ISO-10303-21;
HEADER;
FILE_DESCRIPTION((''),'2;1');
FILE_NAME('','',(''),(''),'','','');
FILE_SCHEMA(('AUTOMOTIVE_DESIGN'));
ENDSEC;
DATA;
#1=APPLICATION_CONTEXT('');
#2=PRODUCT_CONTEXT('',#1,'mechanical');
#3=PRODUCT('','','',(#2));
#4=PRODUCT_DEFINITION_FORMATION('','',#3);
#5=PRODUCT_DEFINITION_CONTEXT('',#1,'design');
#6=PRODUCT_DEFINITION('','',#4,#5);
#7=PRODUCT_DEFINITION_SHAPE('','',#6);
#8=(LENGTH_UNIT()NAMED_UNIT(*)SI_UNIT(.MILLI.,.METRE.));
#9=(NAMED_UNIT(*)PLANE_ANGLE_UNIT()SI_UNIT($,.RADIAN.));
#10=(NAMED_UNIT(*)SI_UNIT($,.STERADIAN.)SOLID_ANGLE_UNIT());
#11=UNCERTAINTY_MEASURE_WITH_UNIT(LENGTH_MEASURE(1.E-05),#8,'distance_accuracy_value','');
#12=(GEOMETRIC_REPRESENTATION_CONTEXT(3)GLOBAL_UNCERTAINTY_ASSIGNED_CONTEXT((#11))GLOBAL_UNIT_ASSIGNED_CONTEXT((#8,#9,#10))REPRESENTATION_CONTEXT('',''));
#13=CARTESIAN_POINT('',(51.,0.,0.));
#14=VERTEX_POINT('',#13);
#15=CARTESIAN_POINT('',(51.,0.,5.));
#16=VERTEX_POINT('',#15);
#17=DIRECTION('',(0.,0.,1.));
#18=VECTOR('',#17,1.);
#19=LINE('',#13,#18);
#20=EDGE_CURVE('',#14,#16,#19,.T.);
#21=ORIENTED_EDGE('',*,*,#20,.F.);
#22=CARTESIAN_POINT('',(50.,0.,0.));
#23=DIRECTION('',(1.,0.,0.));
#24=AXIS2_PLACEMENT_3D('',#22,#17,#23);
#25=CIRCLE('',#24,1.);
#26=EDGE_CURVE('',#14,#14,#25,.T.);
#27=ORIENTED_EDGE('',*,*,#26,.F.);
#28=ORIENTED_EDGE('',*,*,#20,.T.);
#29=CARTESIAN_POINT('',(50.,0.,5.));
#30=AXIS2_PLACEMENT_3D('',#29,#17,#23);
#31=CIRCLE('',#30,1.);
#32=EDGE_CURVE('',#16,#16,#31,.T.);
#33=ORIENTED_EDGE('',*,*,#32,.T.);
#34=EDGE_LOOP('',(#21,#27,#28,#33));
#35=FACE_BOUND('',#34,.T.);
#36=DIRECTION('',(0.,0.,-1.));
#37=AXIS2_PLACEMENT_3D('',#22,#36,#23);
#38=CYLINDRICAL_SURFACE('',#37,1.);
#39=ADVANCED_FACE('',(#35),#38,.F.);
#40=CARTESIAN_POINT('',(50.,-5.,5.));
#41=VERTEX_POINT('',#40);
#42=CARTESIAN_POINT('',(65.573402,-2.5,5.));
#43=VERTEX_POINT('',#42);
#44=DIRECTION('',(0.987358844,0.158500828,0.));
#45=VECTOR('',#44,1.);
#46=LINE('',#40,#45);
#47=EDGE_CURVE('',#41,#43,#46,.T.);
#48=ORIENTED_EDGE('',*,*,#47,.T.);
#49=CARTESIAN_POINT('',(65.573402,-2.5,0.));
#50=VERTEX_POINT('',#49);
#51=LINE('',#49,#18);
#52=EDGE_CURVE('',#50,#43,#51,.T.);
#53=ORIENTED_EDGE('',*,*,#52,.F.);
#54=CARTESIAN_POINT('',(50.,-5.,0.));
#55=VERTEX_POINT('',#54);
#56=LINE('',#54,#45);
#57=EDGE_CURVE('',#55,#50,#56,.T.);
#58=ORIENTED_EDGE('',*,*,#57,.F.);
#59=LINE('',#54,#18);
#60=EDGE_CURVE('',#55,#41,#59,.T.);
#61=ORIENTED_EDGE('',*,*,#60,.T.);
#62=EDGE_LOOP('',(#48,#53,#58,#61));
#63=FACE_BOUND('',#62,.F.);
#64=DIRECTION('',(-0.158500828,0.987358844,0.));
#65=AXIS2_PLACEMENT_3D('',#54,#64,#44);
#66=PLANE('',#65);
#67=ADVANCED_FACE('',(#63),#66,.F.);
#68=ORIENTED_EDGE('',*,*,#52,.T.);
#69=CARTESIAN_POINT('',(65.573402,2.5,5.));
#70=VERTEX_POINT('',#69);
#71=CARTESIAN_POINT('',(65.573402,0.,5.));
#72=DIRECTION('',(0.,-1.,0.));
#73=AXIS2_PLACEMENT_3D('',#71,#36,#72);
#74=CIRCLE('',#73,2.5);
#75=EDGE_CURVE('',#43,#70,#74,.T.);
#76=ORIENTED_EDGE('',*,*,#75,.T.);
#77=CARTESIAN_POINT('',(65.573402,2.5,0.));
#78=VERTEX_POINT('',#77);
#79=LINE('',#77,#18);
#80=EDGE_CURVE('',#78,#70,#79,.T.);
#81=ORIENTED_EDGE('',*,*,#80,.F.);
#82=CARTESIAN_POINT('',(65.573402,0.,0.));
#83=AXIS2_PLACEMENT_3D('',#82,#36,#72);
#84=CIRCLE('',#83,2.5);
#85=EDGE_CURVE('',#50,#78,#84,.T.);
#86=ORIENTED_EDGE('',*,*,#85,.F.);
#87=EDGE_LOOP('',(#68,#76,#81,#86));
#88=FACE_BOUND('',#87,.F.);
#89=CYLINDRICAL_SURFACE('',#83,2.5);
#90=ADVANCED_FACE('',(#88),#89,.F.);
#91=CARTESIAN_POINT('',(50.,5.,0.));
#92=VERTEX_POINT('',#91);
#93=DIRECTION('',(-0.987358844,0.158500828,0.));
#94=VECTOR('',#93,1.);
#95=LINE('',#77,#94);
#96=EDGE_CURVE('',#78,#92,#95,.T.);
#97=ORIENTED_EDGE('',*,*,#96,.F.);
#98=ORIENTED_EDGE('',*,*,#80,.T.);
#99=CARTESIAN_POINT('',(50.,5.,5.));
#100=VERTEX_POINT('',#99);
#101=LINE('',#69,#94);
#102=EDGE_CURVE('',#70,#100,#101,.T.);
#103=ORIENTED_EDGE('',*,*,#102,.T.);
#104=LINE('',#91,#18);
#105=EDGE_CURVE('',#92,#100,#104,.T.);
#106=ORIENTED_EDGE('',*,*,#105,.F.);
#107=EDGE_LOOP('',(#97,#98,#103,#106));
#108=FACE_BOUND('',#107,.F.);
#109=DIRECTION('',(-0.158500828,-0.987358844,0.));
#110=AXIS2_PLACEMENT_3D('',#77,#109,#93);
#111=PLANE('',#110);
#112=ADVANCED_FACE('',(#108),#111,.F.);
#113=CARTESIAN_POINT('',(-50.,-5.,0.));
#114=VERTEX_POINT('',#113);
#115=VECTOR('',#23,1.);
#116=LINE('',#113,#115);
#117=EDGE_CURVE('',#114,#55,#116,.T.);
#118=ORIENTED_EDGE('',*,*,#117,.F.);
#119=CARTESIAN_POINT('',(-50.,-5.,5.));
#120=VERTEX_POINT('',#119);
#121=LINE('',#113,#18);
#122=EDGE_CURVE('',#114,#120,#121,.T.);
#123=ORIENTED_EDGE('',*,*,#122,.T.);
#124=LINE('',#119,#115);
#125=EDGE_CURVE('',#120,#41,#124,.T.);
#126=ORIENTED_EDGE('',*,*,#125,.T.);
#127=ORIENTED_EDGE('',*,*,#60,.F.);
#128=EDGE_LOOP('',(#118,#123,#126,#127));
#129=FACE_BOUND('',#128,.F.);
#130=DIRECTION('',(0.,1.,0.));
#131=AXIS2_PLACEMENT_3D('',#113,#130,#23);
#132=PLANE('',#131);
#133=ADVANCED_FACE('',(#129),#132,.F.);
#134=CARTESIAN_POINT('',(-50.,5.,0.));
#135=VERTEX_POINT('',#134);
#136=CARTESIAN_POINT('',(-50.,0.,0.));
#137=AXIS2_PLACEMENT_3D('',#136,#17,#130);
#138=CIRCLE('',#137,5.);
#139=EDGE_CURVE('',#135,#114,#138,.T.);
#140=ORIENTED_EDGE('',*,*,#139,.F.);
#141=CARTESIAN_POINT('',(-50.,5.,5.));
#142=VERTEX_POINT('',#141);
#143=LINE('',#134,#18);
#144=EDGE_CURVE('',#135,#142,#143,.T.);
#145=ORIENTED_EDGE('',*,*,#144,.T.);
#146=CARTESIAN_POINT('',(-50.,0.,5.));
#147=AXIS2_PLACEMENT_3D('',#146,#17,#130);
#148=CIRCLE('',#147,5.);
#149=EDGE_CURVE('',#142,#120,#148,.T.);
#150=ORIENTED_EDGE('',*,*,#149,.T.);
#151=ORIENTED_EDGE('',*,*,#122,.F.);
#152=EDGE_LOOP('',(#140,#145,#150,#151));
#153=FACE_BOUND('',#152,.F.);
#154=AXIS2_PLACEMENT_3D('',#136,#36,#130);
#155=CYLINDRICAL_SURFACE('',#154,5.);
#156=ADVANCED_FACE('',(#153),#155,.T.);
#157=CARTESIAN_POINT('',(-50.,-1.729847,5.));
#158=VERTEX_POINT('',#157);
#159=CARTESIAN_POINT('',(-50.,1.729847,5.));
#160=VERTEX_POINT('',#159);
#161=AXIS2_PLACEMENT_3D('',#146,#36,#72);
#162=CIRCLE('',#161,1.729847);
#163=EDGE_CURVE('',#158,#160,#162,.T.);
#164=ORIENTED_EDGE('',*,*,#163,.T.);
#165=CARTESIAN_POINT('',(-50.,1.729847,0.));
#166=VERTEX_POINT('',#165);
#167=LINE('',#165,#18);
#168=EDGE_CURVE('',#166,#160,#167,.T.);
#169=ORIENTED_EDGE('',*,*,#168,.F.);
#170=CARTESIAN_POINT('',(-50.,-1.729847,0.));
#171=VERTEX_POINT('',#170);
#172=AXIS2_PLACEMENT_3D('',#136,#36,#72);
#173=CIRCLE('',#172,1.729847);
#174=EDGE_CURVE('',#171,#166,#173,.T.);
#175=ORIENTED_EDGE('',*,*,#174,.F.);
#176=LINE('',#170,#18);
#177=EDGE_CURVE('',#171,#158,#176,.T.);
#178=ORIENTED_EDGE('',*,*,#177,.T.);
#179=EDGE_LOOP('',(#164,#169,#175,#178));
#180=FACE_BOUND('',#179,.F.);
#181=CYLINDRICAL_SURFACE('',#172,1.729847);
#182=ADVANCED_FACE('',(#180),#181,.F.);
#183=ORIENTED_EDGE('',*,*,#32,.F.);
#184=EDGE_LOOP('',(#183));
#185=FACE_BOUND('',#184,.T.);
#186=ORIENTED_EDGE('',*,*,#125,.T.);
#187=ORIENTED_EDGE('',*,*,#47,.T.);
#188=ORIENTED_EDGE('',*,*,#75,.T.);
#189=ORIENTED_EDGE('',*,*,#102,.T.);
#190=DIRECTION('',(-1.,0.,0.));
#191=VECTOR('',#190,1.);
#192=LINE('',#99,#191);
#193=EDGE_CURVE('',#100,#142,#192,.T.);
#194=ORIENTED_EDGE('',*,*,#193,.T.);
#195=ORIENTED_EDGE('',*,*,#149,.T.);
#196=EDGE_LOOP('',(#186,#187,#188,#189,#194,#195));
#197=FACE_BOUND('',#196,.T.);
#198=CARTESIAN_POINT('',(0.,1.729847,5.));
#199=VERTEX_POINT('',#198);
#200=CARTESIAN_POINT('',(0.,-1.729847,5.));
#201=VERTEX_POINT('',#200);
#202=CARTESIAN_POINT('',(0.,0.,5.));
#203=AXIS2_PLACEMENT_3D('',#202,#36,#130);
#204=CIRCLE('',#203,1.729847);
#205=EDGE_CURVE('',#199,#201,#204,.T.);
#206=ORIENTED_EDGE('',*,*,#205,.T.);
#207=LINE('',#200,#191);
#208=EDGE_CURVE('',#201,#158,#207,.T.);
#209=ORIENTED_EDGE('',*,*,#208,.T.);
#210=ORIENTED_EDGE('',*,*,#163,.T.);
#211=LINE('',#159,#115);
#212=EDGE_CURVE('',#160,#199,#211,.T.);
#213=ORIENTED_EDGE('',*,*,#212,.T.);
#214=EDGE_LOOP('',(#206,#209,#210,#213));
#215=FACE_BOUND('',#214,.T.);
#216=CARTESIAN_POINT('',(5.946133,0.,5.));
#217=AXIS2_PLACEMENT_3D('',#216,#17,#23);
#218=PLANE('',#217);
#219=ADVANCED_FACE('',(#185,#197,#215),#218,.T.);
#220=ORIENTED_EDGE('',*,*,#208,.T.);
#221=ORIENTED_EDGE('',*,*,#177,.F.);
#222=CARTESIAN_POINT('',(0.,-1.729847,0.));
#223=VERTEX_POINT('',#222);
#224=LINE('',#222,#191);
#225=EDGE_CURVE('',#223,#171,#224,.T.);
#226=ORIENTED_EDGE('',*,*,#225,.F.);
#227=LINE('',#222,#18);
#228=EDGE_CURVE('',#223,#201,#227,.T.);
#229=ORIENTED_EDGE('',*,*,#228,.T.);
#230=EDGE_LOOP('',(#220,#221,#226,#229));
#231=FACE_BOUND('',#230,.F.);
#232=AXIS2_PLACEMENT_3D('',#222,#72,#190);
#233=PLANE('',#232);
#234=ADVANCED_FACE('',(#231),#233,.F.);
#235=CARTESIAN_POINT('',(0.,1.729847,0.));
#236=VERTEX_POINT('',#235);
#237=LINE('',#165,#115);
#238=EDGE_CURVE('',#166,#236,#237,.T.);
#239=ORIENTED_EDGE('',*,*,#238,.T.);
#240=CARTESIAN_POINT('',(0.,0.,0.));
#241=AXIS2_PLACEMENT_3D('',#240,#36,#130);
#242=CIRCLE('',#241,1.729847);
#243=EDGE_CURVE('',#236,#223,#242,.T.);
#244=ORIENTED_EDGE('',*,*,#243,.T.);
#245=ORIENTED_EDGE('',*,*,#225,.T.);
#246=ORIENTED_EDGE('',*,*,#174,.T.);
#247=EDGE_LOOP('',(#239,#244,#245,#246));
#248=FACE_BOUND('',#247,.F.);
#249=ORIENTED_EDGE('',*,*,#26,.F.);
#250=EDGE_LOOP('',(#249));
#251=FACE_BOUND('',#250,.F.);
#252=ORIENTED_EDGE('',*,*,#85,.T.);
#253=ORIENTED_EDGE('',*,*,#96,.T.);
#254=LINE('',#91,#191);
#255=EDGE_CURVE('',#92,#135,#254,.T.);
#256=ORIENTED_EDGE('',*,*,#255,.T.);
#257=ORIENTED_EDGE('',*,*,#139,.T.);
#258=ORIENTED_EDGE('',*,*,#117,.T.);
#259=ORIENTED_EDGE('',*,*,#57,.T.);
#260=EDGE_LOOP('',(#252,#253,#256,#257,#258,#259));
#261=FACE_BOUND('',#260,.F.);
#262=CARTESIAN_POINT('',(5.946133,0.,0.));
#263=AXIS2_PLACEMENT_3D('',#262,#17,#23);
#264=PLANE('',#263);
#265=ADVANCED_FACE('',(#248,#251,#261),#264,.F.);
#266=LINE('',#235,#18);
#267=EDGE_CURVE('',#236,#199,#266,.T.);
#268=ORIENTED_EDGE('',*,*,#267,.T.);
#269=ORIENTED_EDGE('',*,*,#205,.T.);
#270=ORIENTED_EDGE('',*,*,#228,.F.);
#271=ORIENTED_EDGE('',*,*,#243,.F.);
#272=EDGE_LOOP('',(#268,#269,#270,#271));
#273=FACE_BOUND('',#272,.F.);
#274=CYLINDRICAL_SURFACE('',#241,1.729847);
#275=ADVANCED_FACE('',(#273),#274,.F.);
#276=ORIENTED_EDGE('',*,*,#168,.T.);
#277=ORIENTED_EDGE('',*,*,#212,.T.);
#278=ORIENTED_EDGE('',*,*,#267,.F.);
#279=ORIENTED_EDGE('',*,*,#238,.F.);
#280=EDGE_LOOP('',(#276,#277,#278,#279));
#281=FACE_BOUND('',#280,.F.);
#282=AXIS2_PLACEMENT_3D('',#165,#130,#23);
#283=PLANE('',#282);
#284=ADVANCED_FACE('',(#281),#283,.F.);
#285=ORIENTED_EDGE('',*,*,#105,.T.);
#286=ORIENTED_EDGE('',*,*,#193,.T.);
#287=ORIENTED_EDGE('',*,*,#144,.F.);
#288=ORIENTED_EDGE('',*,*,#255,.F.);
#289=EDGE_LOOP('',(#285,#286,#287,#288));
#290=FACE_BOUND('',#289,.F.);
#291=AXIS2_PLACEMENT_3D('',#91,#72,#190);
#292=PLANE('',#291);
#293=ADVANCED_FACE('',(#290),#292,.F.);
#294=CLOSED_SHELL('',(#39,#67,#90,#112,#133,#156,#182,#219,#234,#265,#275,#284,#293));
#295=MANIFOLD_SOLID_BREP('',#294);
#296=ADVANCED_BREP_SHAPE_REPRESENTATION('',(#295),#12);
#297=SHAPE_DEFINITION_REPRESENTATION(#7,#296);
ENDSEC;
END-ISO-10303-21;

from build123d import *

# Parameters (mm, degrees)
F0_R     = 1
F1_DEPTH = 5


with BuildPart() as f1:
    # F0 (on Top) → F1 (new body)
    with BuildSketch(Plane.XY):
        with BuildLine():
            Line((65.573402, 2.5), (50, 5))
            Line((50, 5), (-50, 5))
            ThreePointArc((-50, 5), (-55, 0), (-50, -5))
            Line((-50, -5), (50, -5))
            Line((50, -5), (65.573402, -2.5))
            ThreePointArc((65.573402, -2.5), (63.073402, 0), (65.573402, 2.5))
        make_face()
        with BuildLine():
            ThreePointArc((-50, -1.729847), (-51.729847, 0), (-50, 1.729847))
            Line((-50, 1.729847), (0, 1.729847))
            ThreePointArc((0, 1.729847), (1.729847, 0), (0, -1.729847))
            Line((0, -1.729847), (-50, -1.729847))
        make_face(mode=Mode.SUBTRACT)
        with Locations((50, 0)):
            Circle(F0_R, mode=Mode.SUBTRACT)
    extrude(amount=F1_DEPTH)


solid = f1.part
